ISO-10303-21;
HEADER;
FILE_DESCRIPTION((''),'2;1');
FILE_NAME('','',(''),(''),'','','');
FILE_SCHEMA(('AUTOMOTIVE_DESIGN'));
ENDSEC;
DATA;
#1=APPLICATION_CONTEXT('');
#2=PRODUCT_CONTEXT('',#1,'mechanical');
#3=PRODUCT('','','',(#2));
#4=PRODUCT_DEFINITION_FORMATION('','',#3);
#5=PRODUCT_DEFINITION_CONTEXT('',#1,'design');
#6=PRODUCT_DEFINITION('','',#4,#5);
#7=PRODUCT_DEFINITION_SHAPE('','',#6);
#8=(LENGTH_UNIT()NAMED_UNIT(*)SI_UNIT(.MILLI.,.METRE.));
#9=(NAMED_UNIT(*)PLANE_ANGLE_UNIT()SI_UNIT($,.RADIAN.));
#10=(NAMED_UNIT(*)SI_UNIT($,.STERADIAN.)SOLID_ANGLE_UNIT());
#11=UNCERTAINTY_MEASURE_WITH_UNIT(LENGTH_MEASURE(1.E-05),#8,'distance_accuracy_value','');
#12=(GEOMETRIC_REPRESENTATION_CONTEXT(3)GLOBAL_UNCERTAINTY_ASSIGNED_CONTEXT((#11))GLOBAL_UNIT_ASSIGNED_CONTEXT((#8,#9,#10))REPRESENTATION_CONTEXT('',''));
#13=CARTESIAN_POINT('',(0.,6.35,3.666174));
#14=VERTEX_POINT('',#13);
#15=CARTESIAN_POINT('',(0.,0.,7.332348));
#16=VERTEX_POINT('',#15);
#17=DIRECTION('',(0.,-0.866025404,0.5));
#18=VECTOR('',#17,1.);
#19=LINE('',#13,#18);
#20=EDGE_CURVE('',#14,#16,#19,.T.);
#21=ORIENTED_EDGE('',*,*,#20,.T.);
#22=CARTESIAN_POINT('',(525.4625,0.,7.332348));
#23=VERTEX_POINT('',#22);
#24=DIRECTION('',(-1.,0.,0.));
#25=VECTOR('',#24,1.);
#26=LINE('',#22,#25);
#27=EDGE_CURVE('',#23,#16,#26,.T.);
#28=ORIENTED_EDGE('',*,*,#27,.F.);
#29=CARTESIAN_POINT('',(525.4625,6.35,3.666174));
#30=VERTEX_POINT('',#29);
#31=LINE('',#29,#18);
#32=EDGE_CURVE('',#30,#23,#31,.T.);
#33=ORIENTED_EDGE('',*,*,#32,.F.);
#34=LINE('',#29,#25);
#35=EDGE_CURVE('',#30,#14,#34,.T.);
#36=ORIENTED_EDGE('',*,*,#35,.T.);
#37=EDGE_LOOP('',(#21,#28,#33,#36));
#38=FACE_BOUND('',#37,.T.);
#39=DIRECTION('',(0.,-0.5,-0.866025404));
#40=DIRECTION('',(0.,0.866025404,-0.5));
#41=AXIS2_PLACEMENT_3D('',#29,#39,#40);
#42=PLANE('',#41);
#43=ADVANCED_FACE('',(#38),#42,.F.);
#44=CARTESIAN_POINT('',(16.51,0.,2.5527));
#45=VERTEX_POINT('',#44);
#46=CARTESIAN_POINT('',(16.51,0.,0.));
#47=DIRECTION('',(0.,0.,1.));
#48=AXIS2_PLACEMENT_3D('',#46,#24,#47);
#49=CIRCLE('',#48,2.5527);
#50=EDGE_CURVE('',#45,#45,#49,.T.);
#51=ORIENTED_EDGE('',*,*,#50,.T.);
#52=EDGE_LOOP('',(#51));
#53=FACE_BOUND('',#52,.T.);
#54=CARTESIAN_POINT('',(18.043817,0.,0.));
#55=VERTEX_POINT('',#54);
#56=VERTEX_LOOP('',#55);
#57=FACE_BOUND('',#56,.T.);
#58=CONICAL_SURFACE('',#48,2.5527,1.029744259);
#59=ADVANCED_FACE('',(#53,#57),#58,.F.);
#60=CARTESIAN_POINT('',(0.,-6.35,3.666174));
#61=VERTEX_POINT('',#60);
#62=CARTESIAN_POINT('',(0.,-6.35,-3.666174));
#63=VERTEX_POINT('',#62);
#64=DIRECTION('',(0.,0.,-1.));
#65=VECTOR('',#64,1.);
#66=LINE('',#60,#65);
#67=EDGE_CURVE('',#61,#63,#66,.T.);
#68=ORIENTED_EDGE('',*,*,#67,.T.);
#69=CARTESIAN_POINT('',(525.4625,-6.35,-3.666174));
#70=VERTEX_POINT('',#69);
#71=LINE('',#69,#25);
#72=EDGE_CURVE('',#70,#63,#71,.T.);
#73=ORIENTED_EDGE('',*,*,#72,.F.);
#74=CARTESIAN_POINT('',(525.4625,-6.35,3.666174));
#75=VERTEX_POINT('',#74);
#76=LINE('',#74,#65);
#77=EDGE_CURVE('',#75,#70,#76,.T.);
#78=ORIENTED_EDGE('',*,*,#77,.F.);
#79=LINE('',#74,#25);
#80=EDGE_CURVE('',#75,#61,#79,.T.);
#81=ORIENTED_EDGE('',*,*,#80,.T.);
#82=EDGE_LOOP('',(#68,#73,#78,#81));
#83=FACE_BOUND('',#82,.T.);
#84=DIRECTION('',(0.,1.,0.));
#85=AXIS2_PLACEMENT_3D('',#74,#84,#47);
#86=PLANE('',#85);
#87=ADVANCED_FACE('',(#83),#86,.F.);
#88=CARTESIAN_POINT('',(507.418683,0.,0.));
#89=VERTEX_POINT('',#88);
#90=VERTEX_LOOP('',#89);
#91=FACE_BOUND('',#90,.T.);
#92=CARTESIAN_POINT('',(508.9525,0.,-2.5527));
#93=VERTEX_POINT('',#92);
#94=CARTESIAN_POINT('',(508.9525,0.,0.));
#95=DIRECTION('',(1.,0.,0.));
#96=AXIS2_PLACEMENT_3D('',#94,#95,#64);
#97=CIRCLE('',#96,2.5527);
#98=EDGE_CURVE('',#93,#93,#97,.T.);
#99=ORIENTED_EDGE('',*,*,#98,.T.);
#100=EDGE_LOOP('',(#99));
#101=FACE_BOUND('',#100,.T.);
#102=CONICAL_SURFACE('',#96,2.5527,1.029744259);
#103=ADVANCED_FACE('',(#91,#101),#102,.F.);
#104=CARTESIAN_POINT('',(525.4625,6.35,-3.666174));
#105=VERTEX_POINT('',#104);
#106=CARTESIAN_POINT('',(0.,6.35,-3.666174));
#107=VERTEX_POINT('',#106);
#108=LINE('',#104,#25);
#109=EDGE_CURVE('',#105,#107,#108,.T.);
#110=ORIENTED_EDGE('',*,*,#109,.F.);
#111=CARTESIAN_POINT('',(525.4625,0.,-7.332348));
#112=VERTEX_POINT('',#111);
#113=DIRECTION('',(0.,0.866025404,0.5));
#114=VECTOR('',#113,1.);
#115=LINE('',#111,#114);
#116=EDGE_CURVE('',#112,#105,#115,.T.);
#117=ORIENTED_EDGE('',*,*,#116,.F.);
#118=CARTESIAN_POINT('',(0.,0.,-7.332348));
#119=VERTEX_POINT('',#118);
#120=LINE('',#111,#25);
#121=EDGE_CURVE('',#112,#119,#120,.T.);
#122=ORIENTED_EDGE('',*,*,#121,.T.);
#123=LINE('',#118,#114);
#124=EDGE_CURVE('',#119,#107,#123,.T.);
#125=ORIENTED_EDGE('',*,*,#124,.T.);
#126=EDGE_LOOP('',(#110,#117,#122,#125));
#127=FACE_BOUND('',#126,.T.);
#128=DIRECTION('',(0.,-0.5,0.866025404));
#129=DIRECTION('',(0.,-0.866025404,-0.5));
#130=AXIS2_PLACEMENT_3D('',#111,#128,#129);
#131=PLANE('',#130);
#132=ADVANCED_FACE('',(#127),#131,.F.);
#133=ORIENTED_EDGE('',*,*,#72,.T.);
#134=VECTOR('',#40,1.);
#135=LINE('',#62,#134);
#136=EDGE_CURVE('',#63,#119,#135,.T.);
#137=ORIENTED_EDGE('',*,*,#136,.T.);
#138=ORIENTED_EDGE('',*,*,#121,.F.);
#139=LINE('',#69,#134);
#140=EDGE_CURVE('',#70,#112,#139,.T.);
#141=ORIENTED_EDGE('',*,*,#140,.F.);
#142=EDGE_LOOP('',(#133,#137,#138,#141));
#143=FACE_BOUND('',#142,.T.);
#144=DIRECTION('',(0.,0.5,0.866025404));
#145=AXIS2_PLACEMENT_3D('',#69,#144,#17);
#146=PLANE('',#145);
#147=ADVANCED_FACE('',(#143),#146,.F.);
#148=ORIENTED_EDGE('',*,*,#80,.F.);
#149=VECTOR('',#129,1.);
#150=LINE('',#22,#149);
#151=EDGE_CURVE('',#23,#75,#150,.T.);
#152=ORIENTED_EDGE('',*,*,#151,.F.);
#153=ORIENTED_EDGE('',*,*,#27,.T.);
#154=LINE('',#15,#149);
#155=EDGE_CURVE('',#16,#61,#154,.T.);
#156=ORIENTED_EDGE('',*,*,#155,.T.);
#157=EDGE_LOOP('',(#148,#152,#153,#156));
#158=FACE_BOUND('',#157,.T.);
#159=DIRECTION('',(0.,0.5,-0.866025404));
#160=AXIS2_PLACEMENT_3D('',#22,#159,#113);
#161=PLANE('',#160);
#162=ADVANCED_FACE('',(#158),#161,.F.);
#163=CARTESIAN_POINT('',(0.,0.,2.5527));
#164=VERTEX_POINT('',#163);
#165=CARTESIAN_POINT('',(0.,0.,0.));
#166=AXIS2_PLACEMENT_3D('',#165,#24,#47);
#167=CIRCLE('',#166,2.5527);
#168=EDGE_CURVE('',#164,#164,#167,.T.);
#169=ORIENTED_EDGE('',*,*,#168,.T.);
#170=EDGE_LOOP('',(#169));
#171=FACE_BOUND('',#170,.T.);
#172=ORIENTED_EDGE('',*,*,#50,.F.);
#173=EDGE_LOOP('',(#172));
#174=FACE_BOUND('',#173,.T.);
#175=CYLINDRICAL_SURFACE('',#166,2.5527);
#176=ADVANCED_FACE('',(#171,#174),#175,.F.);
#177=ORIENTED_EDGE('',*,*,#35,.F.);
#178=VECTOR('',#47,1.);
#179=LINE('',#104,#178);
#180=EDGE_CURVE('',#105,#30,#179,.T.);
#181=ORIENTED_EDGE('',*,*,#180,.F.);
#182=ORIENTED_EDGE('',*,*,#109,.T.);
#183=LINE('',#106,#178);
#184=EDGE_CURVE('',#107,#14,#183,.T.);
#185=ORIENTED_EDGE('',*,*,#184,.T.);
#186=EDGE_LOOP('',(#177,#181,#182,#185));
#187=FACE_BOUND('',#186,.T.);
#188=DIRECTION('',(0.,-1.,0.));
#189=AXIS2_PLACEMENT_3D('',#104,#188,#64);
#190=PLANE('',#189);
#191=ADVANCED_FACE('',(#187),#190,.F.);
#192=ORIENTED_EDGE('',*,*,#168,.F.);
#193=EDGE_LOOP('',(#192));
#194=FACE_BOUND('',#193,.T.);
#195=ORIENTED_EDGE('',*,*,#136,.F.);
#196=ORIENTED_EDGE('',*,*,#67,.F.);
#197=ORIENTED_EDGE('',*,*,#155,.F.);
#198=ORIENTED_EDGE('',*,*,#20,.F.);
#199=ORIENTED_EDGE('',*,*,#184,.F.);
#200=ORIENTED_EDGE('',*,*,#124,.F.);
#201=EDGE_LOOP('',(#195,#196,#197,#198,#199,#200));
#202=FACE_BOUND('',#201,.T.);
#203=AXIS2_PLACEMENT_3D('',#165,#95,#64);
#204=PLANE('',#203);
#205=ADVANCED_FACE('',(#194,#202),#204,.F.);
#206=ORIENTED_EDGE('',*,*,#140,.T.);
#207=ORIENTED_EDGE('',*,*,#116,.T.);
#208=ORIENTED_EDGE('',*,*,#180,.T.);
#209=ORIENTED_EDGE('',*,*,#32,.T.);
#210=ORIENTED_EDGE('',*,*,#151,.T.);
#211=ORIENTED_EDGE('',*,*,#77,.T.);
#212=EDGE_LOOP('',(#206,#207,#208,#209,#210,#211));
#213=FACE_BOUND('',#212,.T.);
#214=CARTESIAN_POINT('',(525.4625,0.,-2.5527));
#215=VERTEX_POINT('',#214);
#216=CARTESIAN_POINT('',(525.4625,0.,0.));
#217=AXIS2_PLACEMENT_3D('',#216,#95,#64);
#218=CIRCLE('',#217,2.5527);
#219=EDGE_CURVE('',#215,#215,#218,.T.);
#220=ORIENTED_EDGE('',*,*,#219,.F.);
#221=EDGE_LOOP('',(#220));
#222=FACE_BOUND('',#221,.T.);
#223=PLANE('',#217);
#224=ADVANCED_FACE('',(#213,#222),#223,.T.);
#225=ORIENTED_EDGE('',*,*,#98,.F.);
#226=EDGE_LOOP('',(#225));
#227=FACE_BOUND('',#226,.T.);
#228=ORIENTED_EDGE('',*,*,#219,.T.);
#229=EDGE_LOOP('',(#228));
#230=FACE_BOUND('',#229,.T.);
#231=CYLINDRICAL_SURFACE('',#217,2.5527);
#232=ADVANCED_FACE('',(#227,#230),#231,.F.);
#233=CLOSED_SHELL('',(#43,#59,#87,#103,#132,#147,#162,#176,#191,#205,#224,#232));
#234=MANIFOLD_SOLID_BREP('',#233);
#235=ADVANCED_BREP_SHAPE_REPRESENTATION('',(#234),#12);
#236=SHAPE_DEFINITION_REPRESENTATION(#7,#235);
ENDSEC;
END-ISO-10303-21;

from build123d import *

# Parameters (mm, degrees)
BOSS_EXTRUDE1_DEPTH         = 525.4625
F_1_4_20_TAPPED_HOLE1_D     = 5.1054
F_1_4_20_TAPPED_HOLE1_DEPTH = 16.51
F_1_4_20_TAPPED_HOLE1_TIP   = 1.533816902
F_1_4_20_TAPPED_HOLE2_D     = 5.1054
F_1_4_20_TAPPED_HOLE2_DEPTH = 16.51
F_1_4_20_TAPPED_HOLE2_TIP   = 1.533816902


with BuildPart() as part:
    # Sketch1 → Boss-Extrude1 (new body)
    with BuildSketch(Plane(origin=(0, 0, 0), x_dir=(0, 0, -1), z_dir=(1, 0, 0))):
        Polygon((7.332348419, 0), (3.666174209, 6.35), (-3.666174209, 6.35), (-7.332348419, 0), (-3.666174209, -6.35), (3.666174209, -6.35), align=None)
    extrude(amount=BOSS_EXTRUDE1_DEPTH)

    # 1/4-20 Tapped Hole1
    with Locations(Plane(origin=(525.4625, 0, 0), x_dir=(0, 0, -1), z_dir=(1, 0, 0))):
        with Locations((0, 0)):
            Hole(F_1_4_20_TAPPED_HOLE1_D / 2, depth=F_1_4_20_TAPPED_HOLE1_DEPTH)
            with Locations((0, 0, -(F_1_4_20_TAPPED_HOLE1_DEPTH + F_1_4_20_TAPPED_HOLE1_TIP / 2))):  # 118° drill point
                Cone(0, F_1_4_20_TAPPED_HOLE1_D / 2, F_1_4_20_TAPPED_HOLE1_TIP, mode=Mode.SUBTRACT)

    # 1/4-20 Tapped Hole2
    with Locations(Plane.ZY):
        with Locations((0, 0)):
            Hole(F_1_4_20_TAPPED_HOLE2_D / 2, depth=F_1_4_20_TAPPED_HOLE2_DEPTH)
            with Locations((0, 0, -(F_1_4_20_TAPPED_HOLE2_DEPTH + F_1_4_20_TAPPED_HOLE2_TIP / 2))):  # 118° drill point
                Cone(0, F_1_4_20_TAPPED_HOLE2_D / 2, F_1_4_20_TAPPED_HOLE2_TIP, mode=Mode.SUBTRACT)


solid = part.part
